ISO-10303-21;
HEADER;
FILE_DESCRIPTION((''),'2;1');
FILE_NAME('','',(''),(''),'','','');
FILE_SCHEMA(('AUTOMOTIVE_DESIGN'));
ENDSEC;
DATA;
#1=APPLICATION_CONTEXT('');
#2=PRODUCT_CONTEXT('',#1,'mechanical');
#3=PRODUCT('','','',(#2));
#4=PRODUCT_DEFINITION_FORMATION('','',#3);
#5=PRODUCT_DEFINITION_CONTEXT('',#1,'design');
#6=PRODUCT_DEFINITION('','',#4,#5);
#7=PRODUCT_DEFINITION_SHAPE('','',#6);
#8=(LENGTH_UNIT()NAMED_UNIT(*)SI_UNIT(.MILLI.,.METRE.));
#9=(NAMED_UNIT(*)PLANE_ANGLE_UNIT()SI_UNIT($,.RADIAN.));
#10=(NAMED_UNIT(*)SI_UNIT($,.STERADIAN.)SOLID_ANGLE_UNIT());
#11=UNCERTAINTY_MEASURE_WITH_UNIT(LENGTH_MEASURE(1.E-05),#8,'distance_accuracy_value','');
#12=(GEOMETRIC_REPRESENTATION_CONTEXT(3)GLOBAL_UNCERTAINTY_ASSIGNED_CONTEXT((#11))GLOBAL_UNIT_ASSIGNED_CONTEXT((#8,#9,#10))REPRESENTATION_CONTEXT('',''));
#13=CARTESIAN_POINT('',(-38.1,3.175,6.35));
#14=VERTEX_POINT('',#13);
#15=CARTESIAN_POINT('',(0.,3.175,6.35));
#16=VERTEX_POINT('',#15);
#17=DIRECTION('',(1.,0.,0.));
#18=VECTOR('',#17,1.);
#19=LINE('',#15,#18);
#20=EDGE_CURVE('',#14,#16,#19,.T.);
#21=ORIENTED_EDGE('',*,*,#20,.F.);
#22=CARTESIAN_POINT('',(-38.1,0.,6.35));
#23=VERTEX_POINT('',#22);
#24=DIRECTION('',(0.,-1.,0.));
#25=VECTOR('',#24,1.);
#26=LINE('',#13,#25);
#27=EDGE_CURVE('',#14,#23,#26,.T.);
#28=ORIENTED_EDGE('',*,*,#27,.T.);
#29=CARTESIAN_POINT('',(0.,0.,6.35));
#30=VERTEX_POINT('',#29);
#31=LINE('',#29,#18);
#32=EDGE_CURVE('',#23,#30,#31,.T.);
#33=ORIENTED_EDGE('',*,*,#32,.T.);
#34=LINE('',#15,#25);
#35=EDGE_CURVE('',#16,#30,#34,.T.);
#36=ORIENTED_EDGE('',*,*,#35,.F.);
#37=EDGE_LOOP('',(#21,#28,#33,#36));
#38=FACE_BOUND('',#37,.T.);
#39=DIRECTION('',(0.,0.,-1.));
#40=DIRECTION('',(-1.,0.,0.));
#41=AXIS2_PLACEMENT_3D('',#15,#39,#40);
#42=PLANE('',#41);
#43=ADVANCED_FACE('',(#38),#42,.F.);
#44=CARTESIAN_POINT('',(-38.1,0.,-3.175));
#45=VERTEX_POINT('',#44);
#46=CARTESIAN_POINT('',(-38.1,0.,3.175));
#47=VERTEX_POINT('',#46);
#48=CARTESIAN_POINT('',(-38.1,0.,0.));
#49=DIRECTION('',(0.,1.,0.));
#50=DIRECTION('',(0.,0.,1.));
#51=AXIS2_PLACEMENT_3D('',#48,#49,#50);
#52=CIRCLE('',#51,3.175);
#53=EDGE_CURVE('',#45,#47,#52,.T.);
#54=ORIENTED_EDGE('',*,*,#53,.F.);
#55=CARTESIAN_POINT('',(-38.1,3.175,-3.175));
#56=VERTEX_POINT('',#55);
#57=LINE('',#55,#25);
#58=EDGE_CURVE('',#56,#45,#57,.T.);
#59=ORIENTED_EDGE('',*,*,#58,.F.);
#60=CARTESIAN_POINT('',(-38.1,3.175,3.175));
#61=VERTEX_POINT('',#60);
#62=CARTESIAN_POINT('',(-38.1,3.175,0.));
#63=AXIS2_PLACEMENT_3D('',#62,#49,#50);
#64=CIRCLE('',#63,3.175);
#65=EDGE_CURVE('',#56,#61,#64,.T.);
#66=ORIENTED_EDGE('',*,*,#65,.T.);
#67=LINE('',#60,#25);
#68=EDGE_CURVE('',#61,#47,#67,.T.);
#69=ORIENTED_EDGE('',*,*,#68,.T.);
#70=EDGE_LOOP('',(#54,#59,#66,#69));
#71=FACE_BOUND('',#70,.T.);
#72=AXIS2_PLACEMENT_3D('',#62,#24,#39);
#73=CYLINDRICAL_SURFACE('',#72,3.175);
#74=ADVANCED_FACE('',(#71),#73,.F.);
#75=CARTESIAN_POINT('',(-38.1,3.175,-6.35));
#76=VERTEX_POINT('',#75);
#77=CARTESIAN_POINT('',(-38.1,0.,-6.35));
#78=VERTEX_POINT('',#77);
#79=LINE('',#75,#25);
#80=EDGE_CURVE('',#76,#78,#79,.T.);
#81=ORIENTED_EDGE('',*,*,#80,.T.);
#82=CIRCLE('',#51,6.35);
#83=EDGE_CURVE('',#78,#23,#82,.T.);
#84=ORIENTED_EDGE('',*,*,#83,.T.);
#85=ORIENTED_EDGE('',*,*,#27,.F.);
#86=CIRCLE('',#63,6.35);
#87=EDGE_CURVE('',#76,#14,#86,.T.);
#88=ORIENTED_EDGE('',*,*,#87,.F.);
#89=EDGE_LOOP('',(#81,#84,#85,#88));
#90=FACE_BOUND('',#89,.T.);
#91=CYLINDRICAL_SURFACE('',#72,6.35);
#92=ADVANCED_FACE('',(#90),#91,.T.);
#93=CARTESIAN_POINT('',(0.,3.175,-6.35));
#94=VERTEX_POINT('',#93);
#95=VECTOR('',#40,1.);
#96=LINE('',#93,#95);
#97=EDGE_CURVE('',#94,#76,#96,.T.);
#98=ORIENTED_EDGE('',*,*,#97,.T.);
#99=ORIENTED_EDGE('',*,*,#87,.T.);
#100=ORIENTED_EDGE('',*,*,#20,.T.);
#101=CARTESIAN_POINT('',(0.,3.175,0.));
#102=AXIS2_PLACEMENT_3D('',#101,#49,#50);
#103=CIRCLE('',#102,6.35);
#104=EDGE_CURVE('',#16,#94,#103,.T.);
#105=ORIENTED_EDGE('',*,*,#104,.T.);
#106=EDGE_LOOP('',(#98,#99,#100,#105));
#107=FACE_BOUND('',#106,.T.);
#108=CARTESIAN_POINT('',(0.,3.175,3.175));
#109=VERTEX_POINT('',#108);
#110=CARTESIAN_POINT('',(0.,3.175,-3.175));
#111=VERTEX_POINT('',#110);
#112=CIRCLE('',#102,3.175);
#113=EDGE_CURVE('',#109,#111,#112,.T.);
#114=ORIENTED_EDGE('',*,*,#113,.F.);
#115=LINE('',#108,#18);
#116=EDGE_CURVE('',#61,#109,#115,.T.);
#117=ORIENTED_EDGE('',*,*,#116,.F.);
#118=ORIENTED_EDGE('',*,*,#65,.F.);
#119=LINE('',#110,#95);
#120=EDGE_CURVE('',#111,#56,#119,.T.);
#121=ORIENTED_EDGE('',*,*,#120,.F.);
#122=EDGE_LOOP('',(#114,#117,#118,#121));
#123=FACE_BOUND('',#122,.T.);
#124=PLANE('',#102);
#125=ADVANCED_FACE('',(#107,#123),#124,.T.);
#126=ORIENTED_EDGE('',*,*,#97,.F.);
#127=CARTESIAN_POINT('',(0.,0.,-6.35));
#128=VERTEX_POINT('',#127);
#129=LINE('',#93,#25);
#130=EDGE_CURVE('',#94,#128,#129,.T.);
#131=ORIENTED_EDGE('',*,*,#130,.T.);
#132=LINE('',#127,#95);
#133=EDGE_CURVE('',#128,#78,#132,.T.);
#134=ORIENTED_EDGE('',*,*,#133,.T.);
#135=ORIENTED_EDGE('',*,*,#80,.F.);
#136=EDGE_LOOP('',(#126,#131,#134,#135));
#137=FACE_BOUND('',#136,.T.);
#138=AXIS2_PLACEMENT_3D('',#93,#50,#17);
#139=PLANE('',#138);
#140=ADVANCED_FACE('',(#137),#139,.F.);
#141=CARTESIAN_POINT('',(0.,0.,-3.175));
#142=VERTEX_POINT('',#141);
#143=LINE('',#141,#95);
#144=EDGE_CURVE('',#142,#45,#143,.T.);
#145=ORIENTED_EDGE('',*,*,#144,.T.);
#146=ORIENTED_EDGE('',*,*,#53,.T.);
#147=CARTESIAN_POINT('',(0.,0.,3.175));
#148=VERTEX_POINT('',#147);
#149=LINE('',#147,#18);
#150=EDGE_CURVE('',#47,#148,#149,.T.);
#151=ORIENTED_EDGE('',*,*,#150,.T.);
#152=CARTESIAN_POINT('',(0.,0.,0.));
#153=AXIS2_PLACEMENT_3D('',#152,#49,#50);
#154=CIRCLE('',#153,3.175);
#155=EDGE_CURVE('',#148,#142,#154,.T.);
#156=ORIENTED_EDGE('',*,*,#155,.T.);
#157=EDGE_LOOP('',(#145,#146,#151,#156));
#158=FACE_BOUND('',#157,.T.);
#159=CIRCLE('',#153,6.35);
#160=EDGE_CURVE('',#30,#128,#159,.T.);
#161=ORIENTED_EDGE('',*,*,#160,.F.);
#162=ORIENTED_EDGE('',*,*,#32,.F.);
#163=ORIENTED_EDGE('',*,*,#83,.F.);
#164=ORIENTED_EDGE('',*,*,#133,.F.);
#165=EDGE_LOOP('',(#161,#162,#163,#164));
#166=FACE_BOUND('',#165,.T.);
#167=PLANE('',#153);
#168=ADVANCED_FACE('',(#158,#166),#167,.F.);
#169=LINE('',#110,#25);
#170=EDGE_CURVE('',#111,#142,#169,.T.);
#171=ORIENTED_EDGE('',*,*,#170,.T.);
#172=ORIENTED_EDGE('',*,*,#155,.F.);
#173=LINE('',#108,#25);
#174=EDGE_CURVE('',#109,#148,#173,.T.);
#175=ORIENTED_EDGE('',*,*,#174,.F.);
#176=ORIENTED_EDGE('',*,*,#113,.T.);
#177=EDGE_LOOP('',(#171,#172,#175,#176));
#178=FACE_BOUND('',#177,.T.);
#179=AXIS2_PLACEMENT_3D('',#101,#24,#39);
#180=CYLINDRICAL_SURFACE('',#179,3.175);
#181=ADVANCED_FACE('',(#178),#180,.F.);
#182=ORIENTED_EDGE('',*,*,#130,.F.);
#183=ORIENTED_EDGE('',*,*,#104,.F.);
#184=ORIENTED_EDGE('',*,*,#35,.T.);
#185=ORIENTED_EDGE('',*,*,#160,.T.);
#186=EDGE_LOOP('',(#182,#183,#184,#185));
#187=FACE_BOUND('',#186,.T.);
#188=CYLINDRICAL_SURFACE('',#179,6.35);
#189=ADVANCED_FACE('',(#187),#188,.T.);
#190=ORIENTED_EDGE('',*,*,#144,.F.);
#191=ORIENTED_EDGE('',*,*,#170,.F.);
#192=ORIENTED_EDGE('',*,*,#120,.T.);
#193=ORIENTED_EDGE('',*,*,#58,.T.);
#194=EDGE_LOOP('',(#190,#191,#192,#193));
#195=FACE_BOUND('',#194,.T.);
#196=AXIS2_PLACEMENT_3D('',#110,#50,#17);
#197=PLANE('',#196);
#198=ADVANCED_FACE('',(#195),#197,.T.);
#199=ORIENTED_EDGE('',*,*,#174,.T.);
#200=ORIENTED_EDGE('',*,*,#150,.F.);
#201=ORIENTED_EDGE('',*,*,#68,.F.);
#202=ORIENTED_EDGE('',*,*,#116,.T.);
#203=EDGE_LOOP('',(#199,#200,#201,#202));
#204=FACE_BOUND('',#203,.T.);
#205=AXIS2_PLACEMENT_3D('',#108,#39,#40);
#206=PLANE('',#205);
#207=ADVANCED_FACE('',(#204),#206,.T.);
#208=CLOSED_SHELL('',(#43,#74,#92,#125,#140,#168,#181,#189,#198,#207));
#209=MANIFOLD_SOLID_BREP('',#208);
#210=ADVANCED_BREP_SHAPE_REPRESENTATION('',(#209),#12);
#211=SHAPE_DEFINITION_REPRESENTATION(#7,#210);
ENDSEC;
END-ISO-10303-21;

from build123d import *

# Parameters (mm, degrees)
BOSS_EXTRUDE1_DEPTH = 3.175


with BuildPart() as part:
    # Sketch1 → Boss-Extrude1 (new body)
    with BuildSketch(Plane(origin=(0, 0, 0), x_dir=(1, 0, 0), z_dir=(0, 1, 0))):
        with BuildLine():
            Line((0, -6.35), (-38.1, -6.35))
            ThreePointArc((-38.1, -6.35), (-44.45, 0), (-38.1, 6.35))
            Line((-38.1, 6.35), (0, 6.35))
            ThreePointArc((0, 6.35), (6.35, 0), (0, -6.35))
        make_face()
        with BuildLine():
            Line((0, -3.175), (-38.1, -3.175))
            ThreePointArc((-38.1, -3.175), (-41.275, 0), (-38.1, 3.175))
            Line((-38.1, 3.175), (0, 3.175))
            ThreePointArc((0, 3.175), (3.175, 0), (0, -3.175))
        make_face(mode=Mode.SUBTRACT)
    extrude(amount=BOSS_EXTRUDE1_DEPTH)


solid = part.part
